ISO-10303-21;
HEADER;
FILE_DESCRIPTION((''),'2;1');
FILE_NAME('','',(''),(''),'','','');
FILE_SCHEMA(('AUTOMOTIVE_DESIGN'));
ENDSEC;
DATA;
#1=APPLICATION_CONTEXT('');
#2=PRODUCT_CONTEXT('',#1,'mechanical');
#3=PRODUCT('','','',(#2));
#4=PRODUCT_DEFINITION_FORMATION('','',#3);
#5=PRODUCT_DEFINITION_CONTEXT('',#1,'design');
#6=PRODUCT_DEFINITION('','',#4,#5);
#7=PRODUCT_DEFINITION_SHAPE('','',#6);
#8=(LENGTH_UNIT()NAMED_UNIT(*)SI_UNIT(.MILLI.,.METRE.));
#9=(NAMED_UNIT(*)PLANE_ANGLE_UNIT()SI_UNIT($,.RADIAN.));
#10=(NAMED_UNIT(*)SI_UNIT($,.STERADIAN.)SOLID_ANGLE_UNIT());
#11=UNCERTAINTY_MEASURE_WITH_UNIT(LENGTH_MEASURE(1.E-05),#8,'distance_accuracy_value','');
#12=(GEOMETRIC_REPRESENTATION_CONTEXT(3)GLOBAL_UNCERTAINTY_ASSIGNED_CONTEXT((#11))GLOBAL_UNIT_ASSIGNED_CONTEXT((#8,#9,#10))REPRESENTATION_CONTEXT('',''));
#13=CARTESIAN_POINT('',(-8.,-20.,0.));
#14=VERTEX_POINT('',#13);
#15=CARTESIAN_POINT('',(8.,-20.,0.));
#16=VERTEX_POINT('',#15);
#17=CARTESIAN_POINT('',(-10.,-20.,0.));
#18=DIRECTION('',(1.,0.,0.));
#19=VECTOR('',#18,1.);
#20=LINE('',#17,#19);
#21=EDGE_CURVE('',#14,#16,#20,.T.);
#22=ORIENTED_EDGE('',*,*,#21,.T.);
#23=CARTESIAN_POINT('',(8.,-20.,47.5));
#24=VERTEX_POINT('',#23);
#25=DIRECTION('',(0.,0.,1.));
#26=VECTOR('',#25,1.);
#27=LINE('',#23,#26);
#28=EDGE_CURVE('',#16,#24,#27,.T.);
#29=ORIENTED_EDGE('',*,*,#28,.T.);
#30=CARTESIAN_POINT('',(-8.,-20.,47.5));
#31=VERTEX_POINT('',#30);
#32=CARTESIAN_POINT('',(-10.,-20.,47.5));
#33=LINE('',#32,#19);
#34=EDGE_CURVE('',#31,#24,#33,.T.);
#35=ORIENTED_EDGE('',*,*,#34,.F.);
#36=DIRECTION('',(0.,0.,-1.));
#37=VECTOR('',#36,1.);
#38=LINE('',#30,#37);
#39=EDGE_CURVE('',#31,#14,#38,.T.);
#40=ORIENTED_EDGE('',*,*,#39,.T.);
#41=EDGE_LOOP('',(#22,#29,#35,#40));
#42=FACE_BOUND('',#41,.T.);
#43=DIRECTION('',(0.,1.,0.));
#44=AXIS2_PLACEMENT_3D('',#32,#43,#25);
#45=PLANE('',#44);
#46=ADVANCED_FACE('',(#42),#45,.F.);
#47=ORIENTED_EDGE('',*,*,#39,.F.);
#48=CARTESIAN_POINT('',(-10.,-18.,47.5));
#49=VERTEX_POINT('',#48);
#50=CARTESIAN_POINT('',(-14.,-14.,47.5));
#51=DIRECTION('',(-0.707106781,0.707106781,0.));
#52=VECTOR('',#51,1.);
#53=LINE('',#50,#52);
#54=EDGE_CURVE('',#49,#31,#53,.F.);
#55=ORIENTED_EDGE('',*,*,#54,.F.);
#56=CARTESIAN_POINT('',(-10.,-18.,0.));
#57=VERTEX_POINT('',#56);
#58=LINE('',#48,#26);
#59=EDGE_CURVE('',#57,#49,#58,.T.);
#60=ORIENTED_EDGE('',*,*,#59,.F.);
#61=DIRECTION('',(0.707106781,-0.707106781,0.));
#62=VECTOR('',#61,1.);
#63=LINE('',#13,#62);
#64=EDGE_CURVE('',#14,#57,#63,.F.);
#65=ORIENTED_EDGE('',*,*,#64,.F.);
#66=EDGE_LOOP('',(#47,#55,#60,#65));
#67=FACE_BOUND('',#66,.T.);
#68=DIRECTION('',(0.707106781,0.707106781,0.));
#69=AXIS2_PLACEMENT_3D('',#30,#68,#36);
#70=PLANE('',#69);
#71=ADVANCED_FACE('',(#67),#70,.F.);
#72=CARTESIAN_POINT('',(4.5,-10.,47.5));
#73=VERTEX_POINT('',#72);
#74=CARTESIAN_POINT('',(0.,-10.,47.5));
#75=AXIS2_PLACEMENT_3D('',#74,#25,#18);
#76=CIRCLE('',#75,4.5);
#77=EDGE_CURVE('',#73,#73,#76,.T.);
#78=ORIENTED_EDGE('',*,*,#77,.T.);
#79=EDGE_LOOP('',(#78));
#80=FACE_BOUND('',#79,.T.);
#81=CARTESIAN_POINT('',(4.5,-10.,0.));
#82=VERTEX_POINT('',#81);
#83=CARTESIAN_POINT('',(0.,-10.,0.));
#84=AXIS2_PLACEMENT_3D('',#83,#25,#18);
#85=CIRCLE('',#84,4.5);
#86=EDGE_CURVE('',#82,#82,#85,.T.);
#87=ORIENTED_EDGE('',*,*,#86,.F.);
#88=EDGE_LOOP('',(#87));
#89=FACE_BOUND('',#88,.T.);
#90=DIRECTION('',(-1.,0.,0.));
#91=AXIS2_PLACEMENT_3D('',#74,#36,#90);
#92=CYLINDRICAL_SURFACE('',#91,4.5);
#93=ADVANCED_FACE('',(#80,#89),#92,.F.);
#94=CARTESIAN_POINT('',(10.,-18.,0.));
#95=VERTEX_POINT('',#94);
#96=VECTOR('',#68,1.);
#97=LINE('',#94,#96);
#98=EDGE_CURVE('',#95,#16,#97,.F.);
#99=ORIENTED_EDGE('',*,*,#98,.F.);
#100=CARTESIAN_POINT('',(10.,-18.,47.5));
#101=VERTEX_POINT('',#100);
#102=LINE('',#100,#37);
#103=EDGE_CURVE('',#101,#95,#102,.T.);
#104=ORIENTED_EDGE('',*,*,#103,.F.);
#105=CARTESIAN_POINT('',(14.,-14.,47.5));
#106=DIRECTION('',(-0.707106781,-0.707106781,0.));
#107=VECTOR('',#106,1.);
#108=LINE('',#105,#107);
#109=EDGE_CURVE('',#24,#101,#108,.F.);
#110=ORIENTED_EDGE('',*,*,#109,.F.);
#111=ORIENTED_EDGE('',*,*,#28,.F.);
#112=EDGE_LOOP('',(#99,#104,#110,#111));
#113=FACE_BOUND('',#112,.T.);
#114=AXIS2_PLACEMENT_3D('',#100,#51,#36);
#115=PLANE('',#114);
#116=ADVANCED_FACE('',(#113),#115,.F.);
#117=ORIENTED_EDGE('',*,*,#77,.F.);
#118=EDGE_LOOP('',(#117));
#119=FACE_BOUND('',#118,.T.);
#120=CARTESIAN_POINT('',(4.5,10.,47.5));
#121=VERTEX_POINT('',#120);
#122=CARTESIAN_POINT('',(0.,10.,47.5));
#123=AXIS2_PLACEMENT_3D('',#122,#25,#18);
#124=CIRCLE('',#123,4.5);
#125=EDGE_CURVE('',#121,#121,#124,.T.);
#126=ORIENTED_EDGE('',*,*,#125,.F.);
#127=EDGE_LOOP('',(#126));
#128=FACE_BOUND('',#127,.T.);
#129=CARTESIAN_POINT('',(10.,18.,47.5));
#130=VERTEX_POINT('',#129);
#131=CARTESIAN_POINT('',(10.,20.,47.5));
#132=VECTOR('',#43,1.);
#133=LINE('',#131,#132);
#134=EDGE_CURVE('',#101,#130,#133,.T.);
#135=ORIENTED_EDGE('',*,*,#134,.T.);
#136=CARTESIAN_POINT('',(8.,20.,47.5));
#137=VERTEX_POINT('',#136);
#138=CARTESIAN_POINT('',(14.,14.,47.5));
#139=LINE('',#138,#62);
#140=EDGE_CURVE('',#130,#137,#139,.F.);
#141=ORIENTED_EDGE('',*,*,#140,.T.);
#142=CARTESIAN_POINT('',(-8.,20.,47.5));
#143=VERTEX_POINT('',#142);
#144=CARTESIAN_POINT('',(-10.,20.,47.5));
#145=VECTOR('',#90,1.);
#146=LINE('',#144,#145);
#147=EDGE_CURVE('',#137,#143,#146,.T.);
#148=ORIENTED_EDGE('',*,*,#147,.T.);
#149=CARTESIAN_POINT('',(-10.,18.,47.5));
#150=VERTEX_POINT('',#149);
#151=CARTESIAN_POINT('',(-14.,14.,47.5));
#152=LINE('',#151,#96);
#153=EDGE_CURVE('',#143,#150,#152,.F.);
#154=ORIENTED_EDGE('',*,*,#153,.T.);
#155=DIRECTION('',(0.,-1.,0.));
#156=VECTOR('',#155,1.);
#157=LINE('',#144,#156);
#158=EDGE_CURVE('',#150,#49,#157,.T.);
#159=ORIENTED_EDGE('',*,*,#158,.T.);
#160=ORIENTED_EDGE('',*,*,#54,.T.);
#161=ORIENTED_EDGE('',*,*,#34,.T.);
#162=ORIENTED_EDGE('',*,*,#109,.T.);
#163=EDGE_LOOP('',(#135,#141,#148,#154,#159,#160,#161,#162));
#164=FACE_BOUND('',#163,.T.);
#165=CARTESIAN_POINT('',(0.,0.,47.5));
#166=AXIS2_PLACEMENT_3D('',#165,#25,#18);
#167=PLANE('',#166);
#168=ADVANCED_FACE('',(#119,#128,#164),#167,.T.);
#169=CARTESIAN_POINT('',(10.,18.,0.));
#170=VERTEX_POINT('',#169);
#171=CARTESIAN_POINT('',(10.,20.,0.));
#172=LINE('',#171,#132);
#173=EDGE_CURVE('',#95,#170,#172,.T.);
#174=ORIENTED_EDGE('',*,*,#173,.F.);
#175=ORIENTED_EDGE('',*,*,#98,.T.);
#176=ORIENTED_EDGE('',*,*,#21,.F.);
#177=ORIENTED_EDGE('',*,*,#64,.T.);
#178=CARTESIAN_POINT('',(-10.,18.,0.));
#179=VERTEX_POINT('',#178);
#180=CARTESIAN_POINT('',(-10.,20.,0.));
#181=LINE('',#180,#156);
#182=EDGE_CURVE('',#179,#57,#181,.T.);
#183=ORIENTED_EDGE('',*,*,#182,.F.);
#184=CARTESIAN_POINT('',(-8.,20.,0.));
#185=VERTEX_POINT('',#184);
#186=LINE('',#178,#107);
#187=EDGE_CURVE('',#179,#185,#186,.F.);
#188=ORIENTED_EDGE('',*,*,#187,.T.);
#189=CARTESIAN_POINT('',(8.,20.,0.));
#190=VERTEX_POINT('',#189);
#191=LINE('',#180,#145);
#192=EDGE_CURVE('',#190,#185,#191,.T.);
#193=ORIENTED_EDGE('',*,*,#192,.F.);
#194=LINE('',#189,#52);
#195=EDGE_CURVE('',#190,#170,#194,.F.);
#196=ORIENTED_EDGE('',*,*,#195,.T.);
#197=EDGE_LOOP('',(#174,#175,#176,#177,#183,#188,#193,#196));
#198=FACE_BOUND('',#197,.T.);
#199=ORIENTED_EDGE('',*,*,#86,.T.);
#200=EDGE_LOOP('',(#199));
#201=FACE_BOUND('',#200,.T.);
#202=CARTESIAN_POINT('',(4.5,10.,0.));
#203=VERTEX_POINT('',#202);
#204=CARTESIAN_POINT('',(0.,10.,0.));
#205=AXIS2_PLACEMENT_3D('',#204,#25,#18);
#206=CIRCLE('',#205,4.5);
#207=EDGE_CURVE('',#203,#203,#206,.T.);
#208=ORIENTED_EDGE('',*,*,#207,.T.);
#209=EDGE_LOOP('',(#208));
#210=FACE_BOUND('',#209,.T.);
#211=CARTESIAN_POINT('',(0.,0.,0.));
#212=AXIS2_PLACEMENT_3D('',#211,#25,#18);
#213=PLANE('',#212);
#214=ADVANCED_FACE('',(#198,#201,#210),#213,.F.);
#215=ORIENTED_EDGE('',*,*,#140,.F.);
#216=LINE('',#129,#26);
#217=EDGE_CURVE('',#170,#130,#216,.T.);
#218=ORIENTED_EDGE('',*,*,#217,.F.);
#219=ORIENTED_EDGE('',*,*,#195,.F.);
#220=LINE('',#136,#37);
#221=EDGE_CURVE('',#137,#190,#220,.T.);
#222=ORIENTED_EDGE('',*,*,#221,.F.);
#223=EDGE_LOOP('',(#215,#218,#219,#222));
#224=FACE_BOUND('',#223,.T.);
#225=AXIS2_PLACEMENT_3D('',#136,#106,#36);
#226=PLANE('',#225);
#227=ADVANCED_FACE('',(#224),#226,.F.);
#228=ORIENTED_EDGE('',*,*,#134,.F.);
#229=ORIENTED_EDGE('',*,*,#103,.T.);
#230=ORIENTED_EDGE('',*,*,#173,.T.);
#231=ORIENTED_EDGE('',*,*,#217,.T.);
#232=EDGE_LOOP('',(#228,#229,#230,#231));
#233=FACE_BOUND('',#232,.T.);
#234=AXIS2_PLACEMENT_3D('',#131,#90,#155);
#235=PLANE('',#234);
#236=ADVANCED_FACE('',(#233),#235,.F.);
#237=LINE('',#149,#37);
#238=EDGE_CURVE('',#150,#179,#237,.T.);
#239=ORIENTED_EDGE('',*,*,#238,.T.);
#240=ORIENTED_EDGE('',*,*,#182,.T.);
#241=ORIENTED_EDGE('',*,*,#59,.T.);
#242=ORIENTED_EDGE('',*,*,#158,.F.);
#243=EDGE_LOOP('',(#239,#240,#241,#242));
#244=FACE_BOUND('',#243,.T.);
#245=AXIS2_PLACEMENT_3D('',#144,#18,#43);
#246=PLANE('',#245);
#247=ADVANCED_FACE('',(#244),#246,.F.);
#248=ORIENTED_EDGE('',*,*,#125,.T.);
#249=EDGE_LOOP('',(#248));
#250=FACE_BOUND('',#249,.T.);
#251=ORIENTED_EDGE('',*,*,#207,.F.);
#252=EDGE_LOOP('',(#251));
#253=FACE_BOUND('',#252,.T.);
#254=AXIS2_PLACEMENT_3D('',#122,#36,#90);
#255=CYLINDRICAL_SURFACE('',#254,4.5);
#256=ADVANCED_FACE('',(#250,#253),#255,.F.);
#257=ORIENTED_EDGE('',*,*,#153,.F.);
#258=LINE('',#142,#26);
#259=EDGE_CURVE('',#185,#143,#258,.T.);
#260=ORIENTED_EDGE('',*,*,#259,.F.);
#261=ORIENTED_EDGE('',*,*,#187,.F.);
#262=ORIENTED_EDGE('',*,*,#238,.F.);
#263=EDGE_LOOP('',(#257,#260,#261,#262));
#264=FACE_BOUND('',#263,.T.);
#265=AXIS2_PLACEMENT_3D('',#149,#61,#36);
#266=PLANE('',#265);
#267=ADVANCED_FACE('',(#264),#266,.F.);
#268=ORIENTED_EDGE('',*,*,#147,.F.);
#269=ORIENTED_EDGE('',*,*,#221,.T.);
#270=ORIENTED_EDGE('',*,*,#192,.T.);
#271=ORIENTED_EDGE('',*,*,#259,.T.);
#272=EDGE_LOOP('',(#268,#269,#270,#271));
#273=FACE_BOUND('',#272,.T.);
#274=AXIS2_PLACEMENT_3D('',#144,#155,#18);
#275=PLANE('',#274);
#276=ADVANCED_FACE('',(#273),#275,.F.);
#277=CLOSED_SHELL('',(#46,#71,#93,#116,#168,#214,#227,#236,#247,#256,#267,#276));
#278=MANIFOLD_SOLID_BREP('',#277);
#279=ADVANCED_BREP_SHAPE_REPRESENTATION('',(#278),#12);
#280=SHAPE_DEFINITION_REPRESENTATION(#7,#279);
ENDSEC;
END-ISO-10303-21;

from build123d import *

# Parameters (mm, degrees)
SKETCH_1_W      = 20
SKETCH_1_H      = 40
SKETCH_1_R      = 4.5
EXTRUDE_1_DEPTH = 47.5
CHAMFER_1_SIZE  = 2
CHAMFER_2_SIZE  = 2


with BuildPart() as part:
    # 草图1 → 凸台-拉伸1 (new body)
    with BuildSketch(Plane.XY):
        Rectangle(SKETCH_1_W, SKETCH_1_H)
        with Locations((0, 10)):
            Circle(SKETCH_1_R, mode=Mode.SUBTRACT)
        with Locations((0, -10)):
            Circle(SKETCH_1_R, mode=Mode.SUBTRACT)
    extrude(amount=EXTRUDE_1_DEPTH)

    # 倒角1
    chamfer_1_edges = [part.edges().sort_by_distance(p)[0] for p in [
        (-10, -20, 23.75),
    ]]
    chamfer(chamfer_1_edges, length=CHAMFER_1_SIZE)

    # 倒角2
    chamfer_2_edges = [part.edges().sort_by_distance(p)[0] for p in [
        (10, -20, 23.75),
        (-10, 20, 23.75),
        (10, 20, 23.75),
    ]]
    chamfer(chamfer_2_edges, length=CHAMFER_2_SIZE)


solid = part.part
